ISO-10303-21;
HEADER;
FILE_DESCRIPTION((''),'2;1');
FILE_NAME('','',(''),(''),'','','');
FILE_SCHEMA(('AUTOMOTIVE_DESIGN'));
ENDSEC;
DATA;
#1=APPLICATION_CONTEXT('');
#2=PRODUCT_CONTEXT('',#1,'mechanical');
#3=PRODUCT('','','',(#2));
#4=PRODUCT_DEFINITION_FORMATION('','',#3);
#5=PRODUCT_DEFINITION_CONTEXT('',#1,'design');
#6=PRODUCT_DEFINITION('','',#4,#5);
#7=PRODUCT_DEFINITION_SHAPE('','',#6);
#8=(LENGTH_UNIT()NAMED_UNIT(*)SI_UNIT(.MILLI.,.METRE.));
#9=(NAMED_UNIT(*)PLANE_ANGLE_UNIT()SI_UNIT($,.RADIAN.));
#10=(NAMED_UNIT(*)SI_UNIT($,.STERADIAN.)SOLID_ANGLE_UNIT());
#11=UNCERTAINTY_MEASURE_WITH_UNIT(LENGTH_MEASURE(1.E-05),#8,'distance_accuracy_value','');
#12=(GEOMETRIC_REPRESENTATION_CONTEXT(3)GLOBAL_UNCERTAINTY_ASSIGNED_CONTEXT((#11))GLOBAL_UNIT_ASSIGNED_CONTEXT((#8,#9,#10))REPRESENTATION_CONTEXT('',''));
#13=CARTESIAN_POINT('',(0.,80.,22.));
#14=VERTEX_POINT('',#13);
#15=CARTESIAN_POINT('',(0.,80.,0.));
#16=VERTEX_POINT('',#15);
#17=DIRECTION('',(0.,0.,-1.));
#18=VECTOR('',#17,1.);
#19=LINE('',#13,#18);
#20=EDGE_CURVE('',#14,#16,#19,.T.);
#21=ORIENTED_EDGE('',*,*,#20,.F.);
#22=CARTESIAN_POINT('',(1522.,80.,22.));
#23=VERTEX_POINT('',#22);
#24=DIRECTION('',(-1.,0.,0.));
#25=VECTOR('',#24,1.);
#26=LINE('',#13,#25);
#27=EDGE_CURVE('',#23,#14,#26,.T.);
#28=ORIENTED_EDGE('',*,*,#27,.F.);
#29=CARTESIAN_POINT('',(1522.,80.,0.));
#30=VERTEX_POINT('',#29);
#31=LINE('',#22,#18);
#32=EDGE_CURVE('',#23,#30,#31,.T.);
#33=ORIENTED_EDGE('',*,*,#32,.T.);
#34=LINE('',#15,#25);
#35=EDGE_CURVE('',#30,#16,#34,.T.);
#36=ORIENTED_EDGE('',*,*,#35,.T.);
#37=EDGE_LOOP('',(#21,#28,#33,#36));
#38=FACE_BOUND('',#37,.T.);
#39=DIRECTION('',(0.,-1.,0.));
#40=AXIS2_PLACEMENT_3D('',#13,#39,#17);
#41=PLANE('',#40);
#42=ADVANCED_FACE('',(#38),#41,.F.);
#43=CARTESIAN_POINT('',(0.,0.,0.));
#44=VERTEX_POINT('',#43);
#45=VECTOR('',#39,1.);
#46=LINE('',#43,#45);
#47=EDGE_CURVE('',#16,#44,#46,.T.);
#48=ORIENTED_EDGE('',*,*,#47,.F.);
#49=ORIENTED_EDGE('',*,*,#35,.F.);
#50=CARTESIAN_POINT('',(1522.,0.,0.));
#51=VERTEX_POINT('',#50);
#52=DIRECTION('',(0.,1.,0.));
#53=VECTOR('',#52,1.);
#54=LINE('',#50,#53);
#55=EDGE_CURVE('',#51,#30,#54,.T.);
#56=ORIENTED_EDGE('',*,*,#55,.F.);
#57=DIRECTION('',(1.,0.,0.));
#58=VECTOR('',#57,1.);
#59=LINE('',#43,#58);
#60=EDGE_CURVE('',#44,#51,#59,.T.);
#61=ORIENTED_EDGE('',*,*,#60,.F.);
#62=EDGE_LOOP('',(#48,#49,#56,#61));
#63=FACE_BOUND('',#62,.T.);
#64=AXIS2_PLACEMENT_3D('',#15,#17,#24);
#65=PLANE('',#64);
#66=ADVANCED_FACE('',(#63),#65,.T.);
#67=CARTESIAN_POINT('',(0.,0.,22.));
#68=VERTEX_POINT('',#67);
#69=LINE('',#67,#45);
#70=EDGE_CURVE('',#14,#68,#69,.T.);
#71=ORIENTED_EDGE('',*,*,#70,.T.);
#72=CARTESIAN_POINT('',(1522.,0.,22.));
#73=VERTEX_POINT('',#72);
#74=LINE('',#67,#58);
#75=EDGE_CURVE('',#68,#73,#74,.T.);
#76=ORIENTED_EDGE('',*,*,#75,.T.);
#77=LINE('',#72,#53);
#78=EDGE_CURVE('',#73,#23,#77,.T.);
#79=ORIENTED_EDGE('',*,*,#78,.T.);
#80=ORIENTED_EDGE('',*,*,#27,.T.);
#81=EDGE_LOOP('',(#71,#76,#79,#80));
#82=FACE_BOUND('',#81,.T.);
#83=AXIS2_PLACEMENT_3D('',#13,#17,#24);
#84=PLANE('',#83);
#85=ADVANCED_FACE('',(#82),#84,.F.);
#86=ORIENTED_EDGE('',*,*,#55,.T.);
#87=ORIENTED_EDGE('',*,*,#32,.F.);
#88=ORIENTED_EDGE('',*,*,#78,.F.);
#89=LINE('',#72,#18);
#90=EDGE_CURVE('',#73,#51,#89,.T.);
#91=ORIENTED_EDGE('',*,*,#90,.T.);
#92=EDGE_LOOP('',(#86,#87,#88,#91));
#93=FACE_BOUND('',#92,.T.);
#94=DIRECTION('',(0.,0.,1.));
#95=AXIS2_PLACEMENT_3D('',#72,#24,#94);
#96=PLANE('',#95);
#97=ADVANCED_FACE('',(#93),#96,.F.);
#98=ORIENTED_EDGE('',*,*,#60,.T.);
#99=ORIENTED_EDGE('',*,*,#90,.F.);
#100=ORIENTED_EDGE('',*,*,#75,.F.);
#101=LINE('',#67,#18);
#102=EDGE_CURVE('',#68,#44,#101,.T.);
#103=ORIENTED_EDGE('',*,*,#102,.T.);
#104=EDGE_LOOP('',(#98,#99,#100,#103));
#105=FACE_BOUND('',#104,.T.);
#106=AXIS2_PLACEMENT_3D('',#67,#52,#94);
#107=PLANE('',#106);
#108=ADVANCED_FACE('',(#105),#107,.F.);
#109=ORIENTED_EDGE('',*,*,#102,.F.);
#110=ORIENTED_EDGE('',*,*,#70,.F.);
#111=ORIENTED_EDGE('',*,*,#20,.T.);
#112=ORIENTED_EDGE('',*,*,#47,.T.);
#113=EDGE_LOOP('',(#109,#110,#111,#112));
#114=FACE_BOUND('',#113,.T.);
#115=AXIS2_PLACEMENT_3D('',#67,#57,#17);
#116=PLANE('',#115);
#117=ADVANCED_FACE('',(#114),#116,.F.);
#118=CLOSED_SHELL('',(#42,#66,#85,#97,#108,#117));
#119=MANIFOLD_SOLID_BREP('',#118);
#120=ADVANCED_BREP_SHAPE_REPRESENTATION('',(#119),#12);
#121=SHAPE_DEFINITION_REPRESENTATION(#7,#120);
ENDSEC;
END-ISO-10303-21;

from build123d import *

# Parameters (mm, degrees)
ESQUISSE1_W      = 1522
ESQUISSE1_H      = 80
EXTRUSION1_DEPTH = 22


with BuildPart() as part:
    # Esquisse1 → Extrusion1 (new body)
    with BuildSketch(Plane.XY):
        with Locations((761, 40)):
            Rectangle(ESQUISSE1_W, ESQUISSE1_H)
    extrude(amount=EXTRUSION1_DEPTH)


solid = part.part
